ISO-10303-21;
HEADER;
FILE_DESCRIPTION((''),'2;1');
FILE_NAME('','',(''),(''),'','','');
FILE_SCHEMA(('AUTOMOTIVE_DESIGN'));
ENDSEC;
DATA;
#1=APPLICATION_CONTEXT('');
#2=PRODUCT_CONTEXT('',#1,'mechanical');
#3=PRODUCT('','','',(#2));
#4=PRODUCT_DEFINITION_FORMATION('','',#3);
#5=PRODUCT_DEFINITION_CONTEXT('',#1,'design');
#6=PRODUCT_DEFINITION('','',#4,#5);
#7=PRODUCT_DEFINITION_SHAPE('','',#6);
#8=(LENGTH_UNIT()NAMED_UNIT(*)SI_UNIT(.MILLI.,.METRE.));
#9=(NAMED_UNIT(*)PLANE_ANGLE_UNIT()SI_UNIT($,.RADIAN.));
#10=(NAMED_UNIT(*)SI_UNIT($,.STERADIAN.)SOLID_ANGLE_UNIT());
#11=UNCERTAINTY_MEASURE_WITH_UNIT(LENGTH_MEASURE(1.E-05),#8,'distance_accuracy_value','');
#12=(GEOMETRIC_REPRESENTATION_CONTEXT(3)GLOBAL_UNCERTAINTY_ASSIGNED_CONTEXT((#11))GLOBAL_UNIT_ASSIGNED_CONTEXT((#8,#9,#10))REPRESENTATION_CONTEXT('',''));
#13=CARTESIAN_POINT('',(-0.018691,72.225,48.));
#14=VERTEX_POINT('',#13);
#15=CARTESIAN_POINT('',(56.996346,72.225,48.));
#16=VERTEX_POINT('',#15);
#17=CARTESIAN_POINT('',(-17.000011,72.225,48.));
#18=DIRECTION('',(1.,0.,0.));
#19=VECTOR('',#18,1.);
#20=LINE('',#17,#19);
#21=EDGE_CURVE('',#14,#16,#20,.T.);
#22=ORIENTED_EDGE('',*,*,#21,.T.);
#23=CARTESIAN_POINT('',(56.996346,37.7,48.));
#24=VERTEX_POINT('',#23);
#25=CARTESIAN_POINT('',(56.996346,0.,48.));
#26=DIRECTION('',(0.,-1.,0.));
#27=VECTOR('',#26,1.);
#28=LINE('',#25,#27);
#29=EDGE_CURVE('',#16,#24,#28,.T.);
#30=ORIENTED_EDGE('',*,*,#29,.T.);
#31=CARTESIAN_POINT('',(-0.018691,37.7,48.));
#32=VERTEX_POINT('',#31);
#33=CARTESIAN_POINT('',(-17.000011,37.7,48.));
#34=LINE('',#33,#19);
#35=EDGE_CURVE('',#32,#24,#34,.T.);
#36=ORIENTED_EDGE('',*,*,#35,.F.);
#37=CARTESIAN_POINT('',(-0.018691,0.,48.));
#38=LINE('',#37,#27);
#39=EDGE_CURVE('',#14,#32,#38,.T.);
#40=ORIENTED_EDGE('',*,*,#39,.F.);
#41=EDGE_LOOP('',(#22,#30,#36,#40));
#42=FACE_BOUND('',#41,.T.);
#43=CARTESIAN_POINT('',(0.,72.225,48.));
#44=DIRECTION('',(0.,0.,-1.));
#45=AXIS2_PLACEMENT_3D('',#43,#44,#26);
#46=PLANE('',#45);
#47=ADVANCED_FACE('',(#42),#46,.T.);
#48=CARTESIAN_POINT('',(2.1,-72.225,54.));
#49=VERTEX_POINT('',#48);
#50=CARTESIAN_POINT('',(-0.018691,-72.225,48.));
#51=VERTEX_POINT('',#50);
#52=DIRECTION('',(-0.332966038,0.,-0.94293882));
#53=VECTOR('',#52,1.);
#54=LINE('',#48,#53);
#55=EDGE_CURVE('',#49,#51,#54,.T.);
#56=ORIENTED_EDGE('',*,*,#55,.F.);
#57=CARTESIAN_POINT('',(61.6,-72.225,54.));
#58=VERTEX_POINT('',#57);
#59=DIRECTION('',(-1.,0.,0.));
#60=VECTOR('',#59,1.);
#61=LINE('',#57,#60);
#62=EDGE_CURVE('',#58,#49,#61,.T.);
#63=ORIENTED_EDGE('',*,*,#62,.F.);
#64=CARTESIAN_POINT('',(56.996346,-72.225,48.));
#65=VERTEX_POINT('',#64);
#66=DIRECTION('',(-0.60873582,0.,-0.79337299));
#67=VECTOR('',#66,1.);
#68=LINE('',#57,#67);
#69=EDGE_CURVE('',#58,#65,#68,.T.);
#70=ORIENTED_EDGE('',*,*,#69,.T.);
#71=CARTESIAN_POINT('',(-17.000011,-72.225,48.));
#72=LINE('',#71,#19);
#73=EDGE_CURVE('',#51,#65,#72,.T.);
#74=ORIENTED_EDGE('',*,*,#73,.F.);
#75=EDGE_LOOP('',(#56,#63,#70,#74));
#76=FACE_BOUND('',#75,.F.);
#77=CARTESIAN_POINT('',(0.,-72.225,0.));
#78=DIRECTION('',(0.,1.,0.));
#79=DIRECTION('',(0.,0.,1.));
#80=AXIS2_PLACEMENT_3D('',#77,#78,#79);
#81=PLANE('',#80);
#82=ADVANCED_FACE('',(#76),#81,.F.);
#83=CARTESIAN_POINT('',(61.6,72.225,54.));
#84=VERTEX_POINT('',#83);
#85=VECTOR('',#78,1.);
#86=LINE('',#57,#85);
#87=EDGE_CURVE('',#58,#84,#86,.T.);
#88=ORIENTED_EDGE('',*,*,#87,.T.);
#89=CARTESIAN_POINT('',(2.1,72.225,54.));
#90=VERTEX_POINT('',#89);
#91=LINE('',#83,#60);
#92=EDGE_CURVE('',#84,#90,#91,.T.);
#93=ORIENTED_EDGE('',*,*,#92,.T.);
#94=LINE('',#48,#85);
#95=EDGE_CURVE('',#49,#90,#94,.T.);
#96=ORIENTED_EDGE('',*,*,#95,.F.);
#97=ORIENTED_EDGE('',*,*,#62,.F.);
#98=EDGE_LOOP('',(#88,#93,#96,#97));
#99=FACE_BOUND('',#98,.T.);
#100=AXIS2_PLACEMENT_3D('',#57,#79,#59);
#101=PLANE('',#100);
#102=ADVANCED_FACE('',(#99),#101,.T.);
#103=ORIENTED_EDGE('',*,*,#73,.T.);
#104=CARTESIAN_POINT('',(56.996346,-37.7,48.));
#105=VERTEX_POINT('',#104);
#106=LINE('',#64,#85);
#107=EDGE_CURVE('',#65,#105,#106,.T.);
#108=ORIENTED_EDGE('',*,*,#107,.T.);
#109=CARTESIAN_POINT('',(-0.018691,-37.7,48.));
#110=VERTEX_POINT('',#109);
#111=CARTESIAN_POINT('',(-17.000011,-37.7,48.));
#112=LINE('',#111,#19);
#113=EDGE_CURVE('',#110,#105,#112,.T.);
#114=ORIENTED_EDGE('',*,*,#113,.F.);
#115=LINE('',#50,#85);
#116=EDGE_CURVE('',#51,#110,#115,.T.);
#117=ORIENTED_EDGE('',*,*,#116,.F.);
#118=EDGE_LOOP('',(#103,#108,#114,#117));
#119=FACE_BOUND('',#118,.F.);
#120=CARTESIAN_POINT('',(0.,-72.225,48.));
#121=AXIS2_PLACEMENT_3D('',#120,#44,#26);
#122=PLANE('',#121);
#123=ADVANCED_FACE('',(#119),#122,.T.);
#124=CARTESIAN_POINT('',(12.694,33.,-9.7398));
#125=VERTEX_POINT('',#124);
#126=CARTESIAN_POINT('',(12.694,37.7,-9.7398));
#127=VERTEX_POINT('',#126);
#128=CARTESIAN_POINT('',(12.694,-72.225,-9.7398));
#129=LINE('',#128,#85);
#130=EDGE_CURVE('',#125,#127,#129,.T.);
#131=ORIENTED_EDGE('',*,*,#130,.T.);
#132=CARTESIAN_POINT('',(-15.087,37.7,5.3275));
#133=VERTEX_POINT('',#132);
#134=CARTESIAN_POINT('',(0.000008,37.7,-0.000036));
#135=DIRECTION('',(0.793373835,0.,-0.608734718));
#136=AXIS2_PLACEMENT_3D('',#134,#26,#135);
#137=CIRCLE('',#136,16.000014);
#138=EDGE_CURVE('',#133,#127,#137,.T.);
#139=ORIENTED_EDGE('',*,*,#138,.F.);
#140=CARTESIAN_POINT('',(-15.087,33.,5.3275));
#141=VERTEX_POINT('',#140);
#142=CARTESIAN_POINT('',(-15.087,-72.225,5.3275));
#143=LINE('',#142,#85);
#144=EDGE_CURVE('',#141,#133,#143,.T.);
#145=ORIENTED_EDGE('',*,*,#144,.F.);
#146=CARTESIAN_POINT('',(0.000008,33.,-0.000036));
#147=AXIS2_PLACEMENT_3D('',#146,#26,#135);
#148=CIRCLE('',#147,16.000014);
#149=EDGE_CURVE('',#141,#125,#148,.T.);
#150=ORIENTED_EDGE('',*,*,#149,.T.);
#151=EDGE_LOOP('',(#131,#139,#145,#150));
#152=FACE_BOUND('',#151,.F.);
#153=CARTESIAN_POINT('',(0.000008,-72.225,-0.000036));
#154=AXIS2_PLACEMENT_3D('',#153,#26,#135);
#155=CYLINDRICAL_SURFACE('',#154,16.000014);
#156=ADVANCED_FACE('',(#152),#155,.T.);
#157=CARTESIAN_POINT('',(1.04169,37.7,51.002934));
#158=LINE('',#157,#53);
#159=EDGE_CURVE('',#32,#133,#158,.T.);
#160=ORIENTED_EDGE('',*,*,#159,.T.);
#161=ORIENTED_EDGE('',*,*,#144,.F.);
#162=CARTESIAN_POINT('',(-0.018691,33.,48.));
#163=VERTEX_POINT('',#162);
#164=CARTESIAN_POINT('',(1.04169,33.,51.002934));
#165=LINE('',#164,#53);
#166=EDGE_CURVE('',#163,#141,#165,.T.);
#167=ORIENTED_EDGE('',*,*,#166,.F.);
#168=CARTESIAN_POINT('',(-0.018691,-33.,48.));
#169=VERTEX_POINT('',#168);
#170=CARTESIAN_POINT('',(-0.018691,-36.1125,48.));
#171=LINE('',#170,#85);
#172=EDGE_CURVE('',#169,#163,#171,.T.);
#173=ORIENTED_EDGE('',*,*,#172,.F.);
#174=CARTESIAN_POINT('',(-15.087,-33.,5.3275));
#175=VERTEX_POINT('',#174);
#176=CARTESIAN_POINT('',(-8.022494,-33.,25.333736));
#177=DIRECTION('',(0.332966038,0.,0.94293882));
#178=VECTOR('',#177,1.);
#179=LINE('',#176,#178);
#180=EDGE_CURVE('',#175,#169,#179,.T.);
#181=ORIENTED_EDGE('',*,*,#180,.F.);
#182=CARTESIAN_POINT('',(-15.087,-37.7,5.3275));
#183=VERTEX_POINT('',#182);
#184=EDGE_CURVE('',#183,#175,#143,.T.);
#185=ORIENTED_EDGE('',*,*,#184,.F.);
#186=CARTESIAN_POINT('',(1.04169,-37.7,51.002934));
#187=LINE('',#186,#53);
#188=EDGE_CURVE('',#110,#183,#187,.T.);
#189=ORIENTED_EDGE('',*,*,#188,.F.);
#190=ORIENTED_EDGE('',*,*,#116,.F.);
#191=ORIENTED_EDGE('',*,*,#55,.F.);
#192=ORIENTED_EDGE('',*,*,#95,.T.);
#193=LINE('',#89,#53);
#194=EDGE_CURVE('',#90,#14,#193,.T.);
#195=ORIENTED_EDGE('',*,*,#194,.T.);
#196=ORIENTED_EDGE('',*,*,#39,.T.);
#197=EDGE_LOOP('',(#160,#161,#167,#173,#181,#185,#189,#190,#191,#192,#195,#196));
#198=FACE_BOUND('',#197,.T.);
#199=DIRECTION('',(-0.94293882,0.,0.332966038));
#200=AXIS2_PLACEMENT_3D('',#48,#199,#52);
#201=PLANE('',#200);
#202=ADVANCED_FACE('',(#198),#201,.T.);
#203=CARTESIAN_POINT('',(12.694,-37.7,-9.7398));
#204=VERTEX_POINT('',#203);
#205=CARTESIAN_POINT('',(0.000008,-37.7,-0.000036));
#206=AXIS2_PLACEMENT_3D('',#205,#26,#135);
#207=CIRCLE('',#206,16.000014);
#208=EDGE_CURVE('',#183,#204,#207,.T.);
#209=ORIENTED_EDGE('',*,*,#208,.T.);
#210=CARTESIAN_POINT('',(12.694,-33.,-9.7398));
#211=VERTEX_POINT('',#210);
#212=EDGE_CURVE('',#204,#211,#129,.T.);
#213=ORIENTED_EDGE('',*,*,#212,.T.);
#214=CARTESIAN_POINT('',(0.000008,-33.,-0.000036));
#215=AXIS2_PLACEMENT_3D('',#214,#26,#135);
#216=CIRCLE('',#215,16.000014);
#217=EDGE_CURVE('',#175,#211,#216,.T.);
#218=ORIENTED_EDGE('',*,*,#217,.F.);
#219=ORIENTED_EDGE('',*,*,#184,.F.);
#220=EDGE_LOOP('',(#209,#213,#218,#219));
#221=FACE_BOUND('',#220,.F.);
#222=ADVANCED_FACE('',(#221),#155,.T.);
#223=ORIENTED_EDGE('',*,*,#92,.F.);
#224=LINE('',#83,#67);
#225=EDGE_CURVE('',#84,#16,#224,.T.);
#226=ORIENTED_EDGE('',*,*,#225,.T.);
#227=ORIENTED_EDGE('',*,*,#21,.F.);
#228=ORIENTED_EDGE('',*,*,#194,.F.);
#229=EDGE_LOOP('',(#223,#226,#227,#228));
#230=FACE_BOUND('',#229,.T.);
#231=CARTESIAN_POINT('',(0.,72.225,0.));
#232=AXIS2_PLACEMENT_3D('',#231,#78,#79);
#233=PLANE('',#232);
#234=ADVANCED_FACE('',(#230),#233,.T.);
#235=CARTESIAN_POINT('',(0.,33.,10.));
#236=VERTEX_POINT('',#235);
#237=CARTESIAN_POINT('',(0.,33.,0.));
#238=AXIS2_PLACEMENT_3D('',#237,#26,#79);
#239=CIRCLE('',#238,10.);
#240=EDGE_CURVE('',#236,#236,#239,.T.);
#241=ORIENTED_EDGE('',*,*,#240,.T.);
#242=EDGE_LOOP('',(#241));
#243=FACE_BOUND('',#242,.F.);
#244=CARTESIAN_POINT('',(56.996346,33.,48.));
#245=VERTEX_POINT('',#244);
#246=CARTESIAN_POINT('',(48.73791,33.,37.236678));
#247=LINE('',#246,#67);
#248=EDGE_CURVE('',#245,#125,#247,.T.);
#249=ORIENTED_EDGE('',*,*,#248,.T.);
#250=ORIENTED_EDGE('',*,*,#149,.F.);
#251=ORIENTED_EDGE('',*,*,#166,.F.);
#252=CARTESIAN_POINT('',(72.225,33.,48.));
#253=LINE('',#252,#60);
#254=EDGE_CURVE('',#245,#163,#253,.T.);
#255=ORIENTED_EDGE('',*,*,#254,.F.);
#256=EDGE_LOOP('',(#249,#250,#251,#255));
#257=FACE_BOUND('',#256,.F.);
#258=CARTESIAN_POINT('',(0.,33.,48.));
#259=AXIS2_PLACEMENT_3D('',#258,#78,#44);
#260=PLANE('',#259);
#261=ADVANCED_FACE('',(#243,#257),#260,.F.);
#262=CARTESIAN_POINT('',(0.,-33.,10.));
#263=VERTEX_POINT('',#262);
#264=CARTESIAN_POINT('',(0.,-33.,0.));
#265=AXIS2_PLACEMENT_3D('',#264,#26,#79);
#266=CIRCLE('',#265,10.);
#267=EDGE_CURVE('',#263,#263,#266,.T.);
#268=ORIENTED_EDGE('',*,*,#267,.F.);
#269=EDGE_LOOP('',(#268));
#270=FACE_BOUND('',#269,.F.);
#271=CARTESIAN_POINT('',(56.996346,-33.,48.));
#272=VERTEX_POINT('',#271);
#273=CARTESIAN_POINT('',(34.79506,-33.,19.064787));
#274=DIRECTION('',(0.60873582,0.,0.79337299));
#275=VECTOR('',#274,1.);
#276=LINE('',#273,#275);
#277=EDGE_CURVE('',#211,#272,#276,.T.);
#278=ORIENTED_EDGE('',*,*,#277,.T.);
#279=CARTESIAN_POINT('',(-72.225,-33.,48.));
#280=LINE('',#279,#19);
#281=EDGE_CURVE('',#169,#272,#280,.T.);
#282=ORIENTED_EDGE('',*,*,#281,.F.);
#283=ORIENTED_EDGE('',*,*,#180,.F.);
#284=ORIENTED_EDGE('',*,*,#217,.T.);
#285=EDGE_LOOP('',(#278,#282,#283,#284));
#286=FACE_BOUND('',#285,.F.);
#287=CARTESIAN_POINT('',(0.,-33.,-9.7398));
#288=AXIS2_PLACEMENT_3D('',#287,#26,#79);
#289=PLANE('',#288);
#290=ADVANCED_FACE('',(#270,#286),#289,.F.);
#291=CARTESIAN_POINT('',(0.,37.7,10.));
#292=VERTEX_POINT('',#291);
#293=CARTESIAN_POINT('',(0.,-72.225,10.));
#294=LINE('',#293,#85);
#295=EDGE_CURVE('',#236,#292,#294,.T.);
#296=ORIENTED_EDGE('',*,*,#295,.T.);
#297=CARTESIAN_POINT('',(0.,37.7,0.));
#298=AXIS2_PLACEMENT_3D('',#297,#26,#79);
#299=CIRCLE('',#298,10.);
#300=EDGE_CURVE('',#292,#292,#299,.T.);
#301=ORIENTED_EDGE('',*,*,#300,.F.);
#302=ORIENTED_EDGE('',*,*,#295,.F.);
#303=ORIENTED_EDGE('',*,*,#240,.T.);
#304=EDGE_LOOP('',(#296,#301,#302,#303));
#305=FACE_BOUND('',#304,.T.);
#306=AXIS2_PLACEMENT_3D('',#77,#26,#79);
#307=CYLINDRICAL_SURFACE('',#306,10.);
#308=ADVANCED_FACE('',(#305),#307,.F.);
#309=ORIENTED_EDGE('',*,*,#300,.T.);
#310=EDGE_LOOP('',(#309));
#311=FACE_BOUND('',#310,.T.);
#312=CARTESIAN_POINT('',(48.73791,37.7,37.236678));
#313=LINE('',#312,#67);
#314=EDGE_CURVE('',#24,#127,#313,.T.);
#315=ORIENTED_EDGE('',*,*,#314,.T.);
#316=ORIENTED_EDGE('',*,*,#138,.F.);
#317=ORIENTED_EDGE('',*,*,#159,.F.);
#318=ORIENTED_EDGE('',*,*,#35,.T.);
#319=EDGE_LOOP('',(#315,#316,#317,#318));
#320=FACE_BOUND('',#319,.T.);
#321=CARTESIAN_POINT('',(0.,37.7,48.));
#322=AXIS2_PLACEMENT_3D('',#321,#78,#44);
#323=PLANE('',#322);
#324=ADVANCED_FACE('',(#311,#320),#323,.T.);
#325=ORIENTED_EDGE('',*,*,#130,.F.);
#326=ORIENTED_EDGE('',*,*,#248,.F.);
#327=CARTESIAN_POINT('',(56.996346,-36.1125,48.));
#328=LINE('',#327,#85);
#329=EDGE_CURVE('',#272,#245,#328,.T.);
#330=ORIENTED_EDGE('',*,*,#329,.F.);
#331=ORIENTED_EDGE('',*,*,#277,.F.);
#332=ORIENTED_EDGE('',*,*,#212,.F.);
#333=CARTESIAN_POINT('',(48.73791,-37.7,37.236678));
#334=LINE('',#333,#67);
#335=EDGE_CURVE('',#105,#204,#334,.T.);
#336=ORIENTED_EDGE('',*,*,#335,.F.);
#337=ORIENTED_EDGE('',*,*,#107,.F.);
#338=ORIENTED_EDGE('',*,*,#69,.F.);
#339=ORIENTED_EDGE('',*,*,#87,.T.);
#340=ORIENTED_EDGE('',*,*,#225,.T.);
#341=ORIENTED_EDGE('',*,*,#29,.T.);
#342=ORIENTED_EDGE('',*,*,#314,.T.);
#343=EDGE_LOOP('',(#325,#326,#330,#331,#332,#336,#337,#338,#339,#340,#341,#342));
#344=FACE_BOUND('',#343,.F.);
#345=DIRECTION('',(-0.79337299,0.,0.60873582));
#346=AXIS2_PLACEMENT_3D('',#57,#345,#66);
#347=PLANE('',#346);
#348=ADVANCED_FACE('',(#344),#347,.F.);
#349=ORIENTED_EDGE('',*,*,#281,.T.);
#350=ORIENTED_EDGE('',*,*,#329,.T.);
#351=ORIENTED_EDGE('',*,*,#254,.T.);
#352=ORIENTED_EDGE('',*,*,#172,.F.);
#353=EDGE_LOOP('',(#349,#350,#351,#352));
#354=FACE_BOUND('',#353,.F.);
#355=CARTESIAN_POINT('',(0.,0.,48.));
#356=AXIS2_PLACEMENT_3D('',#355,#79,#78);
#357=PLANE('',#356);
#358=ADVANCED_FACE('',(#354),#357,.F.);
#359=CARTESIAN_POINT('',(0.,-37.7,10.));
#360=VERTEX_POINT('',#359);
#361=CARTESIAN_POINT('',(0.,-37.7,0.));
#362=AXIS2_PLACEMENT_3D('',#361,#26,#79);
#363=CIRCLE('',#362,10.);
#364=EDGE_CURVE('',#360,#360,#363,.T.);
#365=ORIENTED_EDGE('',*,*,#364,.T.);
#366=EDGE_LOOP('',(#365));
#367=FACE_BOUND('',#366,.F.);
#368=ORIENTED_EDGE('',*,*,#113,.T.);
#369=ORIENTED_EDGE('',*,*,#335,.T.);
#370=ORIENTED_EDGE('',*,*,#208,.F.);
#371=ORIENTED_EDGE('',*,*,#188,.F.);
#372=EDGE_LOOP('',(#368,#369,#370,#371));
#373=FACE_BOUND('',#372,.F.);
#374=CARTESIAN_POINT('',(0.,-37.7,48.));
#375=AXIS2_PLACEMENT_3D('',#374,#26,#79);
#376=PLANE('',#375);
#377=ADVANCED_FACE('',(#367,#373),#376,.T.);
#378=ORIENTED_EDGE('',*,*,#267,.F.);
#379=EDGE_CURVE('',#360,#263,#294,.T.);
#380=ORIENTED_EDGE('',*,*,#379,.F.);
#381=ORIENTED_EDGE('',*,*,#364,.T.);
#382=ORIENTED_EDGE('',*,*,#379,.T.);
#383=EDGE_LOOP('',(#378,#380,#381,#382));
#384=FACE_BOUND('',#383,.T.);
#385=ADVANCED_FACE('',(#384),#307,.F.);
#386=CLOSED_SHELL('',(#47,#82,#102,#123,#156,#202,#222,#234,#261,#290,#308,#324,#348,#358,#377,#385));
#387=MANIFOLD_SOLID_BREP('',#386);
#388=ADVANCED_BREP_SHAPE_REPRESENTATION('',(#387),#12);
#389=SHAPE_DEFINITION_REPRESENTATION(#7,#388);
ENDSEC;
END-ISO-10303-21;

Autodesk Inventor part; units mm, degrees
ref_plane "YZ Plane" through (0, 0, 0) normal (1, 0, 0) x (0, 1, 0)
ref_plane "XZ Plane" through (0, 0, 0) normal (0, 1, 0) x (-1, 0, 0)
sketch "Sketch1" plane through (0, 0, 0) normal (1, 0, 0) x (0, 1, 0)
  circle A0 centre (0, 0) radius 10
  arc A1 (-9.7398, 12.694) -> (5.3275, -15.087) centre (0, 0) ccw
  line L0 (0, 0) -> (0, 61.6) construction
  line L1 (0, 0) -> (54, 0) construction
  line L2 (0, 61.6) -> (54, 61.6) construction
  line L3 (54, 0) -> (54, 61.6) construction
  line L4 (54, 61.6) -> (54, 2.1)
  line L5 (54, 61.6) -> (-9.7398, 12.694)
  line L6 (54, 2.1) -> (5.3275, -15.087)
  dimension "d0" = 20
  dimension "d2" = 32
  dimension "d3" = 61.6
  dimension "d4" = 54
  dimension "d5" = 59.5
extrude "Extrusion1" add sketch "Sketch1" along normal blind 144.45
sketch "Sketch2" plane through (0, 0, 0) normal (0, 0, 1) x (1, 0, 0)
  line L0 (0, 54) -> (144.45, 54) projected
  line L1 (0, -9.7398) -> (0, 54) projected
  line L2 (0, -9.7398) -> (144.45, -9.7398) projected
  line L3 (144.45, 54) -> (144.45, -9.7398) projected
  line L4 (0, 54) -> (144.45, 54) projected
  line L5 (72.225, 54) -> (72.225, -21.6932)
  line L6 (39.225, 48) -> (105.225, 48)
  line L7 (105.225, 48) -> (105.225, -39.8615)
  line L8 (105.225, -39.8615) -> (39.225, -39.8615)
  line L9 (39.225, -39.8615) -> (39.225, 48)
  line L10 (72.225, 48) -> (72.225, -39.8615)
  point P0 (0, 0)
  dimension "d8" = 66
  dimension "d10" = 6
extrude "Extrusion2" cut sketch "Sketch2" along normal mid plane 144.45 contours L6 L7 L2 L5 | L5 L2 L9 L6 | L2 L5 L10 L8 L9 | L2 L7 L8 L10 L5
ref_plane "Work Plane1" through (72.225, 0, 0) normal (1, 0, 0) x (0, 0, -1)
sketch "Sketch3" plane through (0, 0, 0) normal (0, 0, 1) x (1, 0, 0)
  line L0 (0, 54) -> (144.45, 54) projected
  line L1 (144.45, 54) -> (144.45, -9.7398) projected
  line L2 (105.225, 48) -> (105.225, -9.7398) projected
  line L3 (105.225, -9.7398) -> (144.45, -9.7398) projected
  line L4 (144.45, 54) -> (144.45, -9.7398) projected
  line L5 (0, 54) -> (144.45, 54) projected
  line L6 (0, -9.7398) -> (0, 54) projected
  line L7 (0, -9.7398) -> (39.225, -9.7398) projected
  line L8 (39.225, -9.7398) -> (39.225, 48) projected
  line L9 (39.225, 48) -> (105.225, 48) projected
  line L10 (144.45, 48) -> (109.925, 48)
  line L11 (109.925, 48) -> (109.925, -25.7164)
  line L12 (109.925, -25.7164) -> (144.45, -25.7164)
  line L13 (144.45, -25.7164) -> (144.45, 48)
  line L14 (39.225, 48) -> (105.225, 48) projected
  point P0 (0, 0)
  dimension "d14" = 34.525
extrude "Extrusion3" cut sketch "Sketch3" along normal through all both and the other way through all contours L1 L3 L11 L10 | L13 L12 L11 L3
mirror "Mirror1" about plane through (72.225, 0, 0) normal (1, 0, 0) of "Extrusion3"
move or copy body "Move Body1" bodies to move or copy 1 copy no translate (-72.225, 0, 0)
move or copy body "Move Body2" bodies to move or copy 1 copy no rotation origin (0, 0, 0) rotation axis (1, 0, 0) rotation angle 90
move or copy body "Move Body4" bodies to move or copy 1 copy no rotation origin (0, 0, 0) rotation axis (0, 0, 1) rotation angle 90
properties part number "Head_v2"
